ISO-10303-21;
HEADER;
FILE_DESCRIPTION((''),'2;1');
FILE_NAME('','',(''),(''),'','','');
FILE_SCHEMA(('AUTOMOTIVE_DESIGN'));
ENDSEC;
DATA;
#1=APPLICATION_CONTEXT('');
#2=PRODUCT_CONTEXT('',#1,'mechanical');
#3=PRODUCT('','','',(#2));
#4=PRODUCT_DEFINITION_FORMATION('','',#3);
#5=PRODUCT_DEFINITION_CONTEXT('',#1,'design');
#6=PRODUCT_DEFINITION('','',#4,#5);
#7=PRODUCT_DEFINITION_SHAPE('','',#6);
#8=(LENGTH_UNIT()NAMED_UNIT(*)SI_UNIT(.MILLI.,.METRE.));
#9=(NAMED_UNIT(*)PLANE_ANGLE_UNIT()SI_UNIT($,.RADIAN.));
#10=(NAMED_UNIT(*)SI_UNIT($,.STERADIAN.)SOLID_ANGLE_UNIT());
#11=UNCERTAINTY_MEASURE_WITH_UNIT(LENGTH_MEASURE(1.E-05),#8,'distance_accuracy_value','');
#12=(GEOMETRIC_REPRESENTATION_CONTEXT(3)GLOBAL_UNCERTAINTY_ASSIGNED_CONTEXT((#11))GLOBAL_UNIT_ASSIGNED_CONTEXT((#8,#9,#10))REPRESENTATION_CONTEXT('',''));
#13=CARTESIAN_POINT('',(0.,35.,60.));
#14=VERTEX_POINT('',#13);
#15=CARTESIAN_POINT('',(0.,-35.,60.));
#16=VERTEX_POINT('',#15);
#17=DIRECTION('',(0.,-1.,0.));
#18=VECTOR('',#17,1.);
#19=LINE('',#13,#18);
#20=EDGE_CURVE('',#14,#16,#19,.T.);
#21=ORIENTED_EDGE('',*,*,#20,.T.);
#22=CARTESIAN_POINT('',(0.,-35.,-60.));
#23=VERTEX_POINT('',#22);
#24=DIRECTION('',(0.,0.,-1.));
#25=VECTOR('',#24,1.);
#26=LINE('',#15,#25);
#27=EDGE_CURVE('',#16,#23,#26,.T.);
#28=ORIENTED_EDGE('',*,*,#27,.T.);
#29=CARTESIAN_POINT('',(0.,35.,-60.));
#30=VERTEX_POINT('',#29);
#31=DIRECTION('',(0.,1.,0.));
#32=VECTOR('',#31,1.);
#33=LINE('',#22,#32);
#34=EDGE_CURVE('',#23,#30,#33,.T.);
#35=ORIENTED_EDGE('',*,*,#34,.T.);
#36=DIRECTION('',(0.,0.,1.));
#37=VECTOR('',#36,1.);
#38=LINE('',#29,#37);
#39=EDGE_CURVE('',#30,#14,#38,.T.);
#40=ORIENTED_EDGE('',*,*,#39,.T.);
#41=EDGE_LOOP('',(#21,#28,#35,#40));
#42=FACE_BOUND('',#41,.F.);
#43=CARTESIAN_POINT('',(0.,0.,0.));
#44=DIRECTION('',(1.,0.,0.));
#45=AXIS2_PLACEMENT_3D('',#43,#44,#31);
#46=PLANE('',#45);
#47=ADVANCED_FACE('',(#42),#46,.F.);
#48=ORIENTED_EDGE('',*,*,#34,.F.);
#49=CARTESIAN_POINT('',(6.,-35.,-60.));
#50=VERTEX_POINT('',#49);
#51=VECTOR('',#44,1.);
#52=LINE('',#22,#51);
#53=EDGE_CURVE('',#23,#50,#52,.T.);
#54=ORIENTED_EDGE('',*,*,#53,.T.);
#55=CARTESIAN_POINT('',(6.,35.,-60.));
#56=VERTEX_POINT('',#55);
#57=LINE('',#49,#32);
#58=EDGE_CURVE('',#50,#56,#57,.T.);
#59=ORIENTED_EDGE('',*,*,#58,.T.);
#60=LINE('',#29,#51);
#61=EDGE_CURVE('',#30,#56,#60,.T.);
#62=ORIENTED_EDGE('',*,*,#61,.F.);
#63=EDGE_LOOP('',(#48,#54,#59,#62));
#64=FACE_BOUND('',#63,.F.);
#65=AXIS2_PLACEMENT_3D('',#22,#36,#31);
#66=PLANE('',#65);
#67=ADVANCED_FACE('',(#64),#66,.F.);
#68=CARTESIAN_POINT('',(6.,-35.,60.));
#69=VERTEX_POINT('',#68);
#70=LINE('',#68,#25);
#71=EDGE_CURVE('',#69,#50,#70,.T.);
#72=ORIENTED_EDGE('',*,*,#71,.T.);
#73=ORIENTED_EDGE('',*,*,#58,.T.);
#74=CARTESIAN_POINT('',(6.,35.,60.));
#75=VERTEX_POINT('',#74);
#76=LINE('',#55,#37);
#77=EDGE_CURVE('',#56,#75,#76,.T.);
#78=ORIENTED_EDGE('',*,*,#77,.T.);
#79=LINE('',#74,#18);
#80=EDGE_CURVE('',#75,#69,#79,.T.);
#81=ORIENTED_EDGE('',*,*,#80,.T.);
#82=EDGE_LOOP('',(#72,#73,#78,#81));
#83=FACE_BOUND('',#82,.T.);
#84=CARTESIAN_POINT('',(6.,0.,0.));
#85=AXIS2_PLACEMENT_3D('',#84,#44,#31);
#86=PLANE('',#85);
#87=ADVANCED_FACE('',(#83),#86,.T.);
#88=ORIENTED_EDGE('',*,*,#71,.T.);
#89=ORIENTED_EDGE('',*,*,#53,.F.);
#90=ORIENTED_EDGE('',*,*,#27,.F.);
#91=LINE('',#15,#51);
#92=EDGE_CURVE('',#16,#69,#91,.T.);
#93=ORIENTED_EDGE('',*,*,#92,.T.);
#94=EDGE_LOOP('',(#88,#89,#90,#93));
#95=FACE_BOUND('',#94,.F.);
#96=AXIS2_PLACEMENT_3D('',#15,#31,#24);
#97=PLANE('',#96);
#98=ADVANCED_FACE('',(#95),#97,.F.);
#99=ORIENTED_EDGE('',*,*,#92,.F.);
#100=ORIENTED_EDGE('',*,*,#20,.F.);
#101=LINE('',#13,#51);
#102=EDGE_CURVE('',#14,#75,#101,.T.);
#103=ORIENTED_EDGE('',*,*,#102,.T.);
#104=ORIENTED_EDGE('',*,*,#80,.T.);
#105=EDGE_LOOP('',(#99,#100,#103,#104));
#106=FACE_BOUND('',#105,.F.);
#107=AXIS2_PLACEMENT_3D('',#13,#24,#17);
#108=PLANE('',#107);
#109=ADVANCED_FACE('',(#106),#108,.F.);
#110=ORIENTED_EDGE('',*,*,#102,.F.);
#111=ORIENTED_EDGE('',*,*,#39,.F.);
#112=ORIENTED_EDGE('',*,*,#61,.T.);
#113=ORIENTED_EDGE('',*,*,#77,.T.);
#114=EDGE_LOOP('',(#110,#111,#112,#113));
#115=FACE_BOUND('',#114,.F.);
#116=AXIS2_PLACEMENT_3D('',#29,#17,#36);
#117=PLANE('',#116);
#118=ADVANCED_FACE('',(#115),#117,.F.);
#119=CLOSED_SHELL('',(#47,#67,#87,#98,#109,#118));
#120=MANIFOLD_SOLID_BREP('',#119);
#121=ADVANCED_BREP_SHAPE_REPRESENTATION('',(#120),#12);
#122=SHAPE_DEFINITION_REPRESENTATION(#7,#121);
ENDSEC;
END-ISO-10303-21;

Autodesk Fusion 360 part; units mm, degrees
sketch "Sketch1" plane through (0, 0, 0) normal (1, 0, 0) x (0, 1, 0)
  line L0 (35, 60) -> (-35, 60)
  line L1 (-35, 60) -> (-35, -60)
  line L2 (-35, -60) -> (35, -60)
  line L3 (35, -60) -> (35, 60)
  line L4 (35, 60) -> (-35, -60) construction
  line L5 (-35, 60) -> (35, -60) construction
  dimension "d1" = 70
  dimension "d2" = 120
extrude "Extrude1" add sketch "Sketch1" along normal blind 6
